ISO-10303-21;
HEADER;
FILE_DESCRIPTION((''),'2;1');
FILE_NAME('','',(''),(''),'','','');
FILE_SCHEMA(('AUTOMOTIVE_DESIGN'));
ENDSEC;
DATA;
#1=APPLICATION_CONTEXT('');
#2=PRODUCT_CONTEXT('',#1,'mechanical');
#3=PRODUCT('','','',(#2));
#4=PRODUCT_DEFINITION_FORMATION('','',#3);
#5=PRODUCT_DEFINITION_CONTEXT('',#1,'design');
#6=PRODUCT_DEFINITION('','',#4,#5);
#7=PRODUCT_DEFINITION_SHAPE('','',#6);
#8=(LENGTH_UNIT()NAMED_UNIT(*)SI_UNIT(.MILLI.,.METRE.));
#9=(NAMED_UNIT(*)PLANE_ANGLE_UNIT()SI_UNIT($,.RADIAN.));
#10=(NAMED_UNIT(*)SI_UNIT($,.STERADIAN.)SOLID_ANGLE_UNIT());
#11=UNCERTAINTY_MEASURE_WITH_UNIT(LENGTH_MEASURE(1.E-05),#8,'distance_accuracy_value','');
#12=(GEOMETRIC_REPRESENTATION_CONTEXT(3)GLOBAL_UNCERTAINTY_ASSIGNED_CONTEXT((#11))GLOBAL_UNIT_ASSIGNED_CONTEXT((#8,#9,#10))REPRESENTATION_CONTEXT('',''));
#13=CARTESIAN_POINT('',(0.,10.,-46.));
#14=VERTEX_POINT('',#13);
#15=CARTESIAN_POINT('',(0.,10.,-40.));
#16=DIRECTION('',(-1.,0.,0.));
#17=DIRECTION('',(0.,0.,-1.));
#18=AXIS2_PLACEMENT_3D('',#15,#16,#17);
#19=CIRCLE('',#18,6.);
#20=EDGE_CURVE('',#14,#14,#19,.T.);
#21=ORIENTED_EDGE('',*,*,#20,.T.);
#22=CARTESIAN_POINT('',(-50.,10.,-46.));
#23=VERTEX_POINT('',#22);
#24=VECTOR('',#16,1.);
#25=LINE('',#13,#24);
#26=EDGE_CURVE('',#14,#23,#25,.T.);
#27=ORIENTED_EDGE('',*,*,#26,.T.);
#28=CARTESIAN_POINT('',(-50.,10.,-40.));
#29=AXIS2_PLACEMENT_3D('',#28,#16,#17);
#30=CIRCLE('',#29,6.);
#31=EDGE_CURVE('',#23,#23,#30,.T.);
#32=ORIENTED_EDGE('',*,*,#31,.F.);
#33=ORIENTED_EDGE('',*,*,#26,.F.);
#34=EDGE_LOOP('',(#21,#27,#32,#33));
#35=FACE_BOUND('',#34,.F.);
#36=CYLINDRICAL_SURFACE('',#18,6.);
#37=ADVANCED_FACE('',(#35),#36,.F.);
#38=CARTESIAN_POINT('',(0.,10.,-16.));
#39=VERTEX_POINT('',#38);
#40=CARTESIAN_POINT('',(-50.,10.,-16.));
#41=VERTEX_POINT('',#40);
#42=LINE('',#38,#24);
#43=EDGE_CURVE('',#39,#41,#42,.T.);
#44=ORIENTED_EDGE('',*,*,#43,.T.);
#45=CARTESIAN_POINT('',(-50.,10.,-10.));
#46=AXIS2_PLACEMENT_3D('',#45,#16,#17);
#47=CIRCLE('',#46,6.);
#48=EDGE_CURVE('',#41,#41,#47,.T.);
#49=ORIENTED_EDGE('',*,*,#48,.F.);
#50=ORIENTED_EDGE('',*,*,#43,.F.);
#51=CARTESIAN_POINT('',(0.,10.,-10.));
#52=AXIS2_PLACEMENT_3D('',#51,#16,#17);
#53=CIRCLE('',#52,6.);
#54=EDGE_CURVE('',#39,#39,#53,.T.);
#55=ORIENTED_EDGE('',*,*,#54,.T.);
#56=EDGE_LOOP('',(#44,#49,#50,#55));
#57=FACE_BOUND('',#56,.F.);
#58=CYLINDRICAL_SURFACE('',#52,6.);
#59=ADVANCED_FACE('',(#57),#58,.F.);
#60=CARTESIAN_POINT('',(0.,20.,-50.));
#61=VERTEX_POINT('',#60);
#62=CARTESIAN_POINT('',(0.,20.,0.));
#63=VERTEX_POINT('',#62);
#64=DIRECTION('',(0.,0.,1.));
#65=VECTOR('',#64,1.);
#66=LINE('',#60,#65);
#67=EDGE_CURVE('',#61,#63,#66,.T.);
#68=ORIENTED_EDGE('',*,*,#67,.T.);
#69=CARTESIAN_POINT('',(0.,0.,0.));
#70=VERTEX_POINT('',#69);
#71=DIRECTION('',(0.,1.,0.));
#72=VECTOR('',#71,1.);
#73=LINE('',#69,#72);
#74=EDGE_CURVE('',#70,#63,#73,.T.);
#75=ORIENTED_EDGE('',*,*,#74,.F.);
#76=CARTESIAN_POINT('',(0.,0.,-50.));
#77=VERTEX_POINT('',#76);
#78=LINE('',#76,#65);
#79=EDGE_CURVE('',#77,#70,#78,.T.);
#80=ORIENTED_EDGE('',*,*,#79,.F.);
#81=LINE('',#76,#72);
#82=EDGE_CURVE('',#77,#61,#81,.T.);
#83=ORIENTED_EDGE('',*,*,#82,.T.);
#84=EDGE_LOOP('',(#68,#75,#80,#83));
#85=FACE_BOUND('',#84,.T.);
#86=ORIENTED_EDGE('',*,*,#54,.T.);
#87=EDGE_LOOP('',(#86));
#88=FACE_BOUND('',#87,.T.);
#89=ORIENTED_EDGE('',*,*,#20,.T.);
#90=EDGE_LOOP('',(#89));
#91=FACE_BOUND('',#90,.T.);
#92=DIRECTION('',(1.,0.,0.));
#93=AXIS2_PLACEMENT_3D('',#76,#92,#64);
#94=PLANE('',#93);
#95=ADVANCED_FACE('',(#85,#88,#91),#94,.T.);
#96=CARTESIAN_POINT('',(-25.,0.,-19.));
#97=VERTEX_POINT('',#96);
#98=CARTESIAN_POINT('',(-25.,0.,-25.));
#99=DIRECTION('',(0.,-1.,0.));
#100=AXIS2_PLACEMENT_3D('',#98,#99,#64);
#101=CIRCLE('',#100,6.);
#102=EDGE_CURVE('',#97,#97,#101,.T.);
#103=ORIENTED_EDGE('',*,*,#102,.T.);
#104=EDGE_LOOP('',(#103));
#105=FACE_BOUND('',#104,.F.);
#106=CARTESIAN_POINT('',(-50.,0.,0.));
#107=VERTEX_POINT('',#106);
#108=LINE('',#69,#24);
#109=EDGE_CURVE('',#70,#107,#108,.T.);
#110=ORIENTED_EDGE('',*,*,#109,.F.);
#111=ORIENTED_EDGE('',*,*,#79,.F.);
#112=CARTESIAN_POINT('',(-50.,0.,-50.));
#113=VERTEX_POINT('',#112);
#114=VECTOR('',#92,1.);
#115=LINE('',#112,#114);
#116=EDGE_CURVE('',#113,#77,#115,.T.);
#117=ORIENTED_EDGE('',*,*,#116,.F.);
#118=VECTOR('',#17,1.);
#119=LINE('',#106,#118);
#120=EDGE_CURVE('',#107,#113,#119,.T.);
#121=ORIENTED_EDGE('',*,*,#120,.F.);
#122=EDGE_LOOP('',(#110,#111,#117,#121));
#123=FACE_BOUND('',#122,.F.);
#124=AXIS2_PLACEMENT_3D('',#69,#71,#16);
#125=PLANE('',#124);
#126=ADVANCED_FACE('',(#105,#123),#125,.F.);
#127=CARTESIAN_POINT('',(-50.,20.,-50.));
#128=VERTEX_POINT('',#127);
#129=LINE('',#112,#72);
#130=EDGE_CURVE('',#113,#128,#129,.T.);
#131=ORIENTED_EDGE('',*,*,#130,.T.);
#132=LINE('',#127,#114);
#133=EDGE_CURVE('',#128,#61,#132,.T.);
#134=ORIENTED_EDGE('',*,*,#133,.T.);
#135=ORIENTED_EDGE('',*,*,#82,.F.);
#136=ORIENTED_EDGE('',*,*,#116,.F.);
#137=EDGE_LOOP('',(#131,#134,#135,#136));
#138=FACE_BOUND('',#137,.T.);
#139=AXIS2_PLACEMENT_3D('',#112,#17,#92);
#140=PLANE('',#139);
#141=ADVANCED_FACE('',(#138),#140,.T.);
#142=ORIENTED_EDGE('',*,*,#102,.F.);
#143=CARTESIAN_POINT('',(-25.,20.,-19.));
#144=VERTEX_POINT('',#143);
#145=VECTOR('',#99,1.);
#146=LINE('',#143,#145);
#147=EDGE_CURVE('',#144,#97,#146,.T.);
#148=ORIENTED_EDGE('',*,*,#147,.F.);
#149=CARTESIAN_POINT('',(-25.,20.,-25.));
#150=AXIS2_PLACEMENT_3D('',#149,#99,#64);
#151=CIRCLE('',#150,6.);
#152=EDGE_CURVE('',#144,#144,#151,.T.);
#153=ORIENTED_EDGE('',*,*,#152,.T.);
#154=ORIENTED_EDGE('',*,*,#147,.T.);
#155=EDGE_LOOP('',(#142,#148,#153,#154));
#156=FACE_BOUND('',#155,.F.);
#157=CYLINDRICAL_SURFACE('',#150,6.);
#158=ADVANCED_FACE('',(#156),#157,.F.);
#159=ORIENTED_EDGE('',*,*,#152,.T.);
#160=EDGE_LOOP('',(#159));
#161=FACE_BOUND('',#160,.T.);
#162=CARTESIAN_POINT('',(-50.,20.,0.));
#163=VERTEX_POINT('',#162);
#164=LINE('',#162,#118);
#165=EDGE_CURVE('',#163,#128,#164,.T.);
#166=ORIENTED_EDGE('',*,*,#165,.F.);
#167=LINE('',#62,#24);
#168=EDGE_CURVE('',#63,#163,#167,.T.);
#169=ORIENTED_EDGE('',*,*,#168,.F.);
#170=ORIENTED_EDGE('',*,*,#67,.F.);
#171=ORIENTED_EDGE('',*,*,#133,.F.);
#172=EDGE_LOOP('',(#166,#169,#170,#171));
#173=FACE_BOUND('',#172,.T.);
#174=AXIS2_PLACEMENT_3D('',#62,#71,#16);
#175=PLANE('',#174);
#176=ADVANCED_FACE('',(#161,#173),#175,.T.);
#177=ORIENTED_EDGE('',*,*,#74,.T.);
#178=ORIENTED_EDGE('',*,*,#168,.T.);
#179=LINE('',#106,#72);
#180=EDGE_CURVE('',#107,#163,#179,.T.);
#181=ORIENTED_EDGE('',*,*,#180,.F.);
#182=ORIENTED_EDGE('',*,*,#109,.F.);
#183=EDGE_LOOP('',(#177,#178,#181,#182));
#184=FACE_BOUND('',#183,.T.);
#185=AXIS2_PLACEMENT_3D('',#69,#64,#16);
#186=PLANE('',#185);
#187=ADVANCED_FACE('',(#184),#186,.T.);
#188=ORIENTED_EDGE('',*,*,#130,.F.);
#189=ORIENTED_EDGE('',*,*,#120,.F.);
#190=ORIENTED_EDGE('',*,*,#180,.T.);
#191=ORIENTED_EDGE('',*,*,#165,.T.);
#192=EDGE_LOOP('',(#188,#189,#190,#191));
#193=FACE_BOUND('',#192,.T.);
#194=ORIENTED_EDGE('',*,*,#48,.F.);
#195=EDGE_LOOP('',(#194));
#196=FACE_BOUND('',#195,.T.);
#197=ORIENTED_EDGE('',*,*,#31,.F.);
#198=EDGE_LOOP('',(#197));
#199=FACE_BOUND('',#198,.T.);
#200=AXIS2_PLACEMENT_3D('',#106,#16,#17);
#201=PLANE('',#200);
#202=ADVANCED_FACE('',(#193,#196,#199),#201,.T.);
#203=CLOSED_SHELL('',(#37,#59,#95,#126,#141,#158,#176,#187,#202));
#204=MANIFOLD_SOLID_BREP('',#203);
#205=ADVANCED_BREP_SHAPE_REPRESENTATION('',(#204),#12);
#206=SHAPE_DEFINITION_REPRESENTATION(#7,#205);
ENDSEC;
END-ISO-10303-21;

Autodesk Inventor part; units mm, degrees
ref_plane "YZ Plane" through (0, 0, 0) normal (1, 0, 0) x (0, 1, 0)
ref_plane "XZ Plane" through (0, 0, 0) normal (0, 1, 0) x (-1, 0, 0)
ref_plane "XY Plane" through (0, 0, 0) normal (0, 0, 1) x (1, 0, 0)
sketch "Sketch1" plane through (0, 0, 0) normal (0, 1, 0) x (-1, 0, 0)
  line L0 (0, 0) -> (50, 0)
  line L1 (50, 0) -> (50, -50)
  line L2 (50, -50) -> (0, -50)
  line L3 (0, -50) -> (0, 0)
  dimension "d0" = 50
  dimension "d1" = 50
extrude "Extrusion1" add sketch "Sketch1" along normal blind 20
sketch "Sketch2" plane through (0, 0, 0) normal (1, 0, 0) x (0, 0, -1)
  line L0 (0, 20) -> (50, 20) projected
  line L1 (0, 0) -> (0, 20) projected
  line L2 (50, 0) -> (50, 20) projected
  point P0 (10, 10)
  point P1 (40, 10)
  dimension "d4" = 10
  dimension "d5" = 10
  dimension "d6" = 10
  dimension "d7" = 10
hole "Hole1" at (0, 10, -10) at (0, 10, -40) direction (-1, 0, 0) diameter 12 depth 50 tip angle 118
sketch "Sketch3" plane through (0, 20, 0) normal (0, 1, 0) x (1, 0, 0)
  line L0 (-50, 0) -> (-50, 50) projected
  line L1 (0, 50) -> (-50, 50) projected
  point P0 (0, 0)
  point P1 (-25, 25)
  dimension "d15" = 25
  dimension "d16" = 25
hole "Hole2" at (-25, 20, -25) direction (0, -1, 0) diameter 12 depth 50 tip angle 118
properties part number "Extruder mount top"
